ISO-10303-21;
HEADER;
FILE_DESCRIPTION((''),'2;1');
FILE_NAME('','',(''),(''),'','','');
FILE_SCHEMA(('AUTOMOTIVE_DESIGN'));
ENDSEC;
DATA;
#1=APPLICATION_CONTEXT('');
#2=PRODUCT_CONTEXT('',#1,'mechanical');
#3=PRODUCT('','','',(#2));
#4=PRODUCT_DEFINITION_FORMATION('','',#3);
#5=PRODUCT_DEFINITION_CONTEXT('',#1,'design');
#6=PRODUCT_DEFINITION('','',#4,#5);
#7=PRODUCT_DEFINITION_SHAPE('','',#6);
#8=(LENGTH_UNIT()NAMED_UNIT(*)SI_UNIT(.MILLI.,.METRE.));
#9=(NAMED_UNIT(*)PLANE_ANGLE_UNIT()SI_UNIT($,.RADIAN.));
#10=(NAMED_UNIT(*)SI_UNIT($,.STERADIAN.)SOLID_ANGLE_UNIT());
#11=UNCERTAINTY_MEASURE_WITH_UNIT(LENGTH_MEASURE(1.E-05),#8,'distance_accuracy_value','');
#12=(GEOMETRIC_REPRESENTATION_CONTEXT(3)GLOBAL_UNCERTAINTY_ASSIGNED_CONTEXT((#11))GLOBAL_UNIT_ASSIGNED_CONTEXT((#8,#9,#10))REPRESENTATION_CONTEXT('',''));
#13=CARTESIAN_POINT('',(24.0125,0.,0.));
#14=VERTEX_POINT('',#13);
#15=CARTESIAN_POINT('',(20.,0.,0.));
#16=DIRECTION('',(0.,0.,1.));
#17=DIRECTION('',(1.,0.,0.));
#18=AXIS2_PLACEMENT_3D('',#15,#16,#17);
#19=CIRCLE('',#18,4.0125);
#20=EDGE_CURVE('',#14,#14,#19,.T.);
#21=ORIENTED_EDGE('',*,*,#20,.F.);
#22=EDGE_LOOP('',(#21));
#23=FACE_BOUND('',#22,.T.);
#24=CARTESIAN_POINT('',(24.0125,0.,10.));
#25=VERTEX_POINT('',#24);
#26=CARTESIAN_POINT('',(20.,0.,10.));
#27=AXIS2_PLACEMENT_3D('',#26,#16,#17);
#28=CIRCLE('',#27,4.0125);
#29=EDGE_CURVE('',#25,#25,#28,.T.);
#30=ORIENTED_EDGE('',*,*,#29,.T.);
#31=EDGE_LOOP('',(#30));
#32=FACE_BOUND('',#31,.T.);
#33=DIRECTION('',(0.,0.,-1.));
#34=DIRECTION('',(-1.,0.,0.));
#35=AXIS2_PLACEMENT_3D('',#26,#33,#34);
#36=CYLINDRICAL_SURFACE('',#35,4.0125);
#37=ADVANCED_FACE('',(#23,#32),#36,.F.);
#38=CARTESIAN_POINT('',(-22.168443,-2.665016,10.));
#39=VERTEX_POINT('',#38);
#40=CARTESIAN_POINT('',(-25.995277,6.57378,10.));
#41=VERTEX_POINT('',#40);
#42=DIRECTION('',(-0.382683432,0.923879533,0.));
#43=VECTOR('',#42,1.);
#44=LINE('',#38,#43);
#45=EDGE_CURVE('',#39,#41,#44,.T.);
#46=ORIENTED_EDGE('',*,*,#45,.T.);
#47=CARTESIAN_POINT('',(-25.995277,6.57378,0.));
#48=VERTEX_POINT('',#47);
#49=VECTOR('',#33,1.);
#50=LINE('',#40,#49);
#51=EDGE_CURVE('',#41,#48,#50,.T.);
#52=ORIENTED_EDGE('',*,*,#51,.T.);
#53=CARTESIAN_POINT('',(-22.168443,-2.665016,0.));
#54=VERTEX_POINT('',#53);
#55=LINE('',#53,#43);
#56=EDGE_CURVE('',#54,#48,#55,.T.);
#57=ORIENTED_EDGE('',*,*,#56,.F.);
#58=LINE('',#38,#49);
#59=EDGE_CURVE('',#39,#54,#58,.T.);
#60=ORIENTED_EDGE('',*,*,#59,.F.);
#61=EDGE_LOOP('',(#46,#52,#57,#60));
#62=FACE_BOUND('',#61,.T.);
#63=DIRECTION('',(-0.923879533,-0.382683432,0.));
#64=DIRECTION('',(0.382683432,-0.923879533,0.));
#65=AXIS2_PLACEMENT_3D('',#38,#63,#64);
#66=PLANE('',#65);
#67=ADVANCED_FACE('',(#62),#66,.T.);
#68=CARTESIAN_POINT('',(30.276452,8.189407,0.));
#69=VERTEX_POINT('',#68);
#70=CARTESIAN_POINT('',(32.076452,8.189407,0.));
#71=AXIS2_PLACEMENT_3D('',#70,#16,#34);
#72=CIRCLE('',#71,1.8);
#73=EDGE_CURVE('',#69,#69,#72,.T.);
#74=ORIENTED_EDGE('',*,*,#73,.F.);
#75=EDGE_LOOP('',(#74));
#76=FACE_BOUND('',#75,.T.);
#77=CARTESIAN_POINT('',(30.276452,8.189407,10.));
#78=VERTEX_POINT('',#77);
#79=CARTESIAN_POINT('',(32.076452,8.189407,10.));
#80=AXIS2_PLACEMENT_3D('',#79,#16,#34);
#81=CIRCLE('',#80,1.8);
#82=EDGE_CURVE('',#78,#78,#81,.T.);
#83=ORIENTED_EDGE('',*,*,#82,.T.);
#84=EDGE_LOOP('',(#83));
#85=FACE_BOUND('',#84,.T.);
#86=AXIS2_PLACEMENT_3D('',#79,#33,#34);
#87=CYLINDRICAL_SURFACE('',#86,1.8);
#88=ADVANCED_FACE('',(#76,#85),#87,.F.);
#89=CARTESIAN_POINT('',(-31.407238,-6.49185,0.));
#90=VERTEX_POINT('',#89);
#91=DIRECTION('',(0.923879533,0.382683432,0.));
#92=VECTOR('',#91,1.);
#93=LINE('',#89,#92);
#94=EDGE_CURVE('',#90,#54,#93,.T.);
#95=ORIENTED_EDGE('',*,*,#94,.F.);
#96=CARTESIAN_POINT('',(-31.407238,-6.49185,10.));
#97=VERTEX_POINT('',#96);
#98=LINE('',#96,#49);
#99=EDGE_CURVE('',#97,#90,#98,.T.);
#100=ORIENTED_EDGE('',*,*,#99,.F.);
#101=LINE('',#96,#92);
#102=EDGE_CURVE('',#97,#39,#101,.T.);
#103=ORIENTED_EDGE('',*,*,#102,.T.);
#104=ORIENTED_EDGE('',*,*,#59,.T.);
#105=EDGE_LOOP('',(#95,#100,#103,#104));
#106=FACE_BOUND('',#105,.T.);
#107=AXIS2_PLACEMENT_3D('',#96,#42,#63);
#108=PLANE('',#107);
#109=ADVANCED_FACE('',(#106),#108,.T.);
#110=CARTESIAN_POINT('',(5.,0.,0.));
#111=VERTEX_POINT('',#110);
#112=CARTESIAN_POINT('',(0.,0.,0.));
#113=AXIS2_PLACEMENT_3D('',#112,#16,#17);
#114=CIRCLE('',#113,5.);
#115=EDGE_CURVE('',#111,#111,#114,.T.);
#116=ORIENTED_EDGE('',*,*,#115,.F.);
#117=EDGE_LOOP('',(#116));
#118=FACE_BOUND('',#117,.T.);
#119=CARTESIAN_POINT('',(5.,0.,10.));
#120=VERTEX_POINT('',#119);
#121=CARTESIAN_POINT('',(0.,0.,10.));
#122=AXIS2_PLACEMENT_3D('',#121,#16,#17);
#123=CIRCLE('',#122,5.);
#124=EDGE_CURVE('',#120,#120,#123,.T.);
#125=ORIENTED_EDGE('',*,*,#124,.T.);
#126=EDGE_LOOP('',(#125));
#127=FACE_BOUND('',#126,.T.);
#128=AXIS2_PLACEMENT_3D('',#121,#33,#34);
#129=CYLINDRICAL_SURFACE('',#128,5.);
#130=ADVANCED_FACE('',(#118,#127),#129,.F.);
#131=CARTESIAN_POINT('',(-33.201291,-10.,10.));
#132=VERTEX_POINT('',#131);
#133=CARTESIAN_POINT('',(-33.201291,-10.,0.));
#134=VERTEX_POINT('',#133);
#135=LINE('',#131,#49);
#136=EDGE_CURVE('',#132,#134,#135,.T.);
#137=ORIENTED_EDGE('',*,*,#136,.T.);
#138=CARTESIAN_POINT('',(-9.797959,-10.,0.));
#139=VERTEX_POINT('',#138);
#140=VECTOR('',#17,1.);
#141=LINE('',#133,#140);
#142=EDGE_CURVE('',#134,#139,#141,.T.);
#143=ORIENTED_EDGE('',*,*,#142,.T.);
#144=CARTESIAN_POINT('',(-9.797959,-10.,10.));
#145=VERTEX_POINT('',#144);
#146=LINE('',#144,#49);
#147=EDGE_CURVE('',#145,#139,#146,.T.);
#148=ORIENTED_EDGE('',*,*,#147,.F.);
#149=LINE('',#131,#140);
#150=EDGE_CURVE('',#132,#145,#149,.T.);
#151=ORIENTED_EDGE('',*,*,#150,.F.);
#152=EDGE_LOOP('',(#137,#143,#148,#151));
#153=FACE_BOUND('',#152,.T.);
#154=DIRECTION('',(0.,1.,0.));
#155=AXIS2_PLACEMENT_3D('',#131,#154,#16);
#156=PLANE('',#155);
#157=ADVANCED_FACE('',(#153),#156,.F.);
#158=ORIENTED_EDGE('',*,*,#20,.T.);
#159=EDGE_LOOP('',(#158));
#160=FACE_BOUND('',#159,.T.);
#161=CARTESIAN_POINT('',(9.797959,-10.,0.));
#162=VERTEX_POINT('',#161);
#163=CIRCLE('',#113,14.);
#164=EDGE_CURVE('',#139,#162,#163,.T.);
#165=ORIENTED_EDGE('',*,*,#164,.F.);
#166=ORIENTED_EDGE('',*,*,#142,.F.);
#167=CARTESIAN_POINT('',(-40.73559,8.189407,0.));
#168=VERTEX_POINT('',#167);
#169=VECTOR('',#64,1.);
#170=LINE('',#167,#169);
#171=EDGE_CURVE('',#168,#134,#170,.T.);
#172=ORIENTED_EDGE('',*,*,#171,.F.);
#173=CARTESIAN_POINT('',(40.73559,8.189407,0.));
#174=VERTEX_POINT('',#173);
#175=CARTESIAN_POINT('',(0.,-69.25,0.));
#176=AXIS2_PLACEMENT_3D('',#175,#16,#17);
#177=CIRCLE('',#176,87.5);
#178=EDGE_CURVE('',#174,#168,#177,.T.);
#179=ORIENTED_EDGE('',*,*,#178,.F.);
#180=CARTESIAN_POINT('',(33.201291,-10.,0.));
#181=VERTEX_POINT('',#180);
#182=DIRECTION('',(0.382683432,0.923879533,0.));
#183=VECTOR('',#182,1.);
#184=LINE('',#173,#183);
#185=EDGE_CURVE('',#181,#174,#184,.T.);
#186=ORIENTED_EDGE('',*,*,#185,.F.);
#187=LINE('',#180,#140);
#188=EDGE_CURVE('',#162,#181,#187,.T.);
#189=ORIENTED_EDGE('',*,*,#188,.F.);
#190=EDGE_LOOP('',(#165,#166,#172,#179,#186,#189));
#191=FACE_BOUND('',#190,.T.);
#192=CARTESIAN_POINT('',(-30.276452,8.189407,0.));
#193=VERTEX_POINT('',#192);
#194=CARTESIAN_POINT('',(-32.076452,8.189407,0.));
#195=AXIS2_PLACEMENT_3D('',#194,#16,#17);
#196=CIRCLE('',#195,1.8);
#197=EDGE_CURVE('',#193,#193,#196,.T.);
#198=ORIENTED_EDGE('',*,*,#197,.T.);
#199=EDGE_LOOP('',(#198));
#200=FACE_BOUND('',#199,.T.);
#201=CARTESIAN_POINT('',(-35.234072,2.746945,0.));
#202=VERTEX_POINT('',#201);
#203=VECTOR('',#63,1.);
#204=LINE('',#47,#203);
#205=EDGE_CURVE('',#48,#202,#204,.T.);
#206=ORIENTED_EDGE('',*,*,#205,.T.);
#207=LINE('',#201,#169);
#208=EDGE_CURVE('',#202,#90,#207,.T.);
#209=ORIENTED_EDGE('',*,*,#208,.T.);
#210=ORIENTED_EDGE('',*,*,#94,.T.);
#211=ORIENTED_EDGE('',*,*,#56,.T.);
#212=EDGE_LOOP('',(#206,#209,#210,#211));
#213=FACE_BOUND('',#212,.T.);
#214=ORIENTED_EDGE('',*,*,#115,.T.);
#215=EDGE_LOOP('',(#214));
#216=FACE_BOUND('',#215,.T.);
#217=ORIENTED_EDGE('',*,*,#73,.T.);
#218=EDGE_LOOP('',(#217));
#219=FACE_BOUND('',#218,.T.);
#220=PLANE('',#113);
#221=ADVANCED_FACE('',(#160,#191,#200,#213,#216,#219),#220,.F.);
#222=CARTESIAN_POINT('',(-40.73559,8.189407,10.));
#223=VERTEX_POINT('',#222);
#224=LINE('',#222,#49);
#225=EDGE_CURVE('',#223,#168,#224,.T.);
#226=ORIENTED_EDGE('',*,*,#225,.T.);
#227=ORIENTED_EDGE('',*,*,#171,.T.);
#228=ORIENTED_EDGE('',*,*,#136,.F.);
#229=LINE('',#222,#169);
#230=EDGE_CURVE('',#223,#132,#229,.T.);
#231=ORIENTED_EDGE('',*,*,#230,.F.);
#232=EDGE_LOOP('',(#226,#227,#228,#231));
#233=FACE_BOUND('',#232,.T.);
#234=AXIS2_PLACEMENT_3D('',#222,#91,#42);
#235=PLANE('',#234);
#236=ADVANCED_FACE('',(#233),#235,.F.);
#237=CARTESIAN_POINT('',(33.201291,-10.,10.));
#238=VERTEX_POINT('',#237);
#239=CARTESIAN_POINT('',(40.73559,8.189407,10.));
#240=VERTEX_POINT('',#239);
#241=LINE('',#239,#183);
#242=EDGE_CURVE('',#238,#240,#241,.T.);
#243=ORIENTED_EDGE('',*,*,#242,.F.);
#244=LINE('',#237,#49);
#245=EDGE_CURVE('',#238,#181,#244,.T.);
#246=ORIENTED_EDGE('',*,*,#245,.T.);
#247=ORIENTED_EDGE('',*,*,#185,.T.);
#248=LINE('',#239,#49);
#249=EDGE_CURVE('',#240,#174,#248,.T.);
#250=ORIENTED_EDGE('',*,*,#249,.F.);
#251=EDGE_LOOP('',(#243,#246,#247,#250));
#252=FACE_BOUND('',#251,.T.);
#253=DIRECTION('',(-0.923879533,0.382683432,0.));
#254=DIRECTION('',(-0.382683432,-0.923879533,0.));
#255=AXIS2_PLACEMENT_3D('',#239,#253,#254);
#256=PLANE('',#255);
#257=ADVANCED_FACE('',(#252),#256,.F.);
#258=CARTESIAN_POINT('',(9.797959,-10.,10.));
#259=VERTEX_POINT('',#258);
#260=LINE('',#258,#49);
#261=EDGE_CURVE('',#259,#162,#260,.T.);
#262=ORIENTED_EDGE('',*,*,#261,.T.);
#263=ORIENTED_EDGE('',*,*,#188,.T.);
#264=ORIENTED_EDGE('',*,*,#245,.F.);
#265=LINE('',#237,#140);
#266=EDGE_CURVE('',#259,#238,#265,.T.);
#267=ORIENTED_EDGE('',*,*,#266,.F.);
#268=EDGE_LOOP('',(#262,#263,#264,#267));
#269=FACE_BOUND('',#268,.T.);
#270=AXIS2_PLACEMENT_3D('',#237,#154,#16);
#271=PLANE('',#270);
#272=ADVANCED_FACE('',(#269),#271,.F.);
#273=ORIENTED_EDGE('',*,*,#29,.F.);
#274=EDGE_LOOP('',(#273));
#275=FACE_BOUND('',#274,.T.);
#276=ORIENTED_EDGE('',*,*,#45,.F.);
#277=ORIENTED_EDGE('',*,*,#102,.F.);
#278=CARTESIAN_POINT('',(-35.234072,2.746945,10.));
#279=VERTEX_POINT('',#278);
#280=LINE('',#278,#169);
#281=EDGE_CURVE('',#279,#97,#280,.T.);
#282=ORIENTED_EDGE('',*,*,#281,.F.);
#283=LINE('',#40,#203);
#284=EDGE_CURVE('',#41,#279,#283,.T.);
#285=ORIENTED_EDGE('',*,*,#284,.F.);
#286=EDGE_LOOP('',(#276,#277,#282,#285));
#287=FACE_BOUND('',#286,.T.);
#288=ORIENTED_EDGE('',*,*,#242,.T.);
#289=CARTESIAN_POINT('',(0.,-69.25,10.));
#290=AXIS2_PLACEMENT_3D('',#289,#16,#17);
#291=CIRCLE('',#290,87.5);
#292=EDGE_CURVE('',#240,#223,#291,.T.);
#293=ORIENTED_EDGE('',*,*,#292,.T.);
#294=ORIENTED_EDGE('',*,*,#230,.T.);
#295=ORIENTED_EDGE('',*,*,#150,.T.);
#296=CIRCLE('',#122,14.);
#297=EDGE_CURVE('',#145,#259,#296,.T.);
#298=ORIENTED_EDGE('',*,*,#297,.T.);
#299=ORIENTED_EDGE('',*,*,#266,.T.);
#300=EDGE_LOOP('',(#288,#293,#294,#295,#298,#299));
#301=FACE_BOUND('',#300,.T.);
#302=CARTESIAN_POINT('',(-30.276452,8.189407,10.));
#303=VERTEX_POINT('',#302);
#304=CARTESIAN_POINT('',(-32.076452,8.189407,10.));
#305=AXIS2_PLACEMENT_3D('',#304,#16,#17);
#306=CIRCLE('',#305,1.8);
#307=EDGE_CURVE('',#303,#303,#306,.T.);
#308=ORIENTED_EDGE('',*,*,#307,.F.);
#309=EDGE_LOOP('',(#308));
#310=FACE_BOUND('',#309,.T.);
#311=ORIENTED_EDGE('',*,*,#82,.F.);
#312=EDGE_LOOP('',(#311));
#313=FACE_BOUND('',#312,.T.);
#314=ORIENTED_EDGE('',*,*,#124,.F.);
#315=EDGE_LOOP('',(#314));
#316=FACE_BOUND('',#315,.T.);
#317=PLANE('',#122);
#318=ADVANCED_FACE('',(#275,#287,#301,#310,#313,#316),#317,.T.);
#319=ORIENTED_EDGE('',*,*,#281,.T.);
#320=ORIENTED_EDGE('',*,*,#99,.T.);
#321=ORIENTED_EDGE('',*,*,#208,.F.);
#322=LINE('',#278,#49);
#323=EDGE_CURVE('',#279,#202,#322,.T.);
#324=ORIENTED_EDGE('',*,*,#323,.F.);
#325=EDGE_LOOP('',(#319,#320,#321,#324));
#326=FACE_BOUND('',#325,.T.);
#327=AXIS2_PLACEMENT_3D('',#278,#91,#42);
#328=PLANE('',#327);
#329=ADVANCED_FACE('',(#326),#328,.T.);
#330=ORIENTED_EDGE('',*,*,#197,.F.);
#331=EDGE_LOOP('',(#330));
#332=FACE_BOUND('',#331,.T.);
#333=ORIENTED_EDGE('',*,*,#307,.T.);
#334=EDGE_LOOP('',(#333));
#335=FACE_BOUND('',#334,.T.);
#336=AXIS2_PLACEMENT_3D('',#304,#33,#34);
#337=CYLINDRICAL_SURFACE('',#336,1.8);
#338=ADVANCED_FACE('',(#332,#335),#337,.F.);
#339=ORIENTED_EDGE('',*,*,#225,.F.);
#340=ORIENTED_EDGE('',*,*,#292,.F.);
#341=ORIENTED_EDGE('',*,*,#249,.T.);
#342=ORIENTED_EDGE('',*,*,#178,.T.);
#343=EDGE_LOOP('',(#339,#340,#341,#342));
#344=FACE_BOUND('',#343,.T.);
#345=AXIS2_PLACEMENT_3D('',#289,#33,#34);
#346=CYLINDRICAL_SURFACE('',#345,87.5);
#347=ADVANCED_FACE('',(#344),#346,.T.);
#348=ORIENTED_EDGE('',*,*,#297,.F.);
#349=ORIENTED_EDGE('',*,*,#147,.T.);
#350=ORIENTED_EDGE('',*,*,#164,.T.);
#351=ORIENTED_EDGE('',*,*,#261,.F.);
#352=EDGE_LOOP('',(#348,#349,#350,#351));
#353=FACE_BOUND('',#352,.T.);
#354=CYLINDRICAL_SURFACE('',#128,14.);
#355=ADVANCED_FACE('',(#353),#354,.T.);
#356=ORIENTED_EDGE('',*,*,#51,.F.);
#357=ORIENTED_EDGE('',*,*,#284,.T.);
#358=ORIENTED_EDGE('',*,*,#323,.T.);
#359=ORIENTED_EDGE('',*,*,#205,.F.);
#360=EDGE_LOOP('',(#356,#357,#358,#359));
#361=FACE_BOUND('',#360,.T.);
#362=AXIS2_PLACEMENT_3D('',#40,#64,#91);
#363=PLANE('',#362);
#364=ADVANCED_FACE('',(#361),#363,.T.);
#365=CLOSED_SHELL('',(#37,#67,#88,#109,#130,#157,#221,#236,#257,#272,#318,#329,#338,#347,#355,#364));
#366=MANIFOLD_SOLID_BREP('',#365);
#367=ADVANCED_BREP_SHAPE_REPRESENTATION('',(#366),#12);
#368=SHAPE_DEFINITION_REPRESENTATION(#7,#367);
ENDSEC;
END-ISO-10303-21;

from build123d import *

# Parameters (mm, degrees)
SKETCH1_R           = 4.0125
SKETCH1_R_2         = 5
SKETCH1_R_3         = 1.8
BOSS_EXTRUDE1_DEPTH = 10


with BuildPart() as part:
    # Sketch1 → Boss-Extrude1 (new body)
    with BuildSketch(Plane.XY):
        with BuildLine():
            Line((-40.735590092, 8.189406634), (-33.201291173, -10))
            Line((-33.201291173, -10), (-9.797958971, -10))
            ThreePointArc((-9.797958971, -10), (0, -14), (9.797958971, -10))
            Line((9.797958971, -10), (33.201291173, -10))
            Line((33.201291173, -10), (40.735590092, 8.189406634))
            ThreePointArc((40.735590092, 8.189406634), (0, 18.25), (-40.735590092, 8.189406634))
        make_face()
        with Locations((20, 0)):
            Circle(SKETCH1_R, mode=Mode.SUBTRACT)
        Circle(SKETCH1_R_2, mode=Mode.SUBTRACT)
        with Locations((-32.07645249, 8.189406634)):
            Circle(SKETCH1_R_3, mode=Mode.SUBTRACT)
        with Locations(Location((32.07645249, 8.189406634, 0), (0, 0, 180))):
            Circle(SKETCH1_R_3, mode=Mode.SUBTRACT)
        Polygon((-25.995276927, 6.573779763), (-35.234072252, 2.746945439), (-31.407237928, -6.491849886), (-22.168442603, -2.665015562), align=None, mode=Mode.SUBTRACT)
    extrude(amount=BOSS_EXTRUDE1_DEPTH)


solid = part.part
